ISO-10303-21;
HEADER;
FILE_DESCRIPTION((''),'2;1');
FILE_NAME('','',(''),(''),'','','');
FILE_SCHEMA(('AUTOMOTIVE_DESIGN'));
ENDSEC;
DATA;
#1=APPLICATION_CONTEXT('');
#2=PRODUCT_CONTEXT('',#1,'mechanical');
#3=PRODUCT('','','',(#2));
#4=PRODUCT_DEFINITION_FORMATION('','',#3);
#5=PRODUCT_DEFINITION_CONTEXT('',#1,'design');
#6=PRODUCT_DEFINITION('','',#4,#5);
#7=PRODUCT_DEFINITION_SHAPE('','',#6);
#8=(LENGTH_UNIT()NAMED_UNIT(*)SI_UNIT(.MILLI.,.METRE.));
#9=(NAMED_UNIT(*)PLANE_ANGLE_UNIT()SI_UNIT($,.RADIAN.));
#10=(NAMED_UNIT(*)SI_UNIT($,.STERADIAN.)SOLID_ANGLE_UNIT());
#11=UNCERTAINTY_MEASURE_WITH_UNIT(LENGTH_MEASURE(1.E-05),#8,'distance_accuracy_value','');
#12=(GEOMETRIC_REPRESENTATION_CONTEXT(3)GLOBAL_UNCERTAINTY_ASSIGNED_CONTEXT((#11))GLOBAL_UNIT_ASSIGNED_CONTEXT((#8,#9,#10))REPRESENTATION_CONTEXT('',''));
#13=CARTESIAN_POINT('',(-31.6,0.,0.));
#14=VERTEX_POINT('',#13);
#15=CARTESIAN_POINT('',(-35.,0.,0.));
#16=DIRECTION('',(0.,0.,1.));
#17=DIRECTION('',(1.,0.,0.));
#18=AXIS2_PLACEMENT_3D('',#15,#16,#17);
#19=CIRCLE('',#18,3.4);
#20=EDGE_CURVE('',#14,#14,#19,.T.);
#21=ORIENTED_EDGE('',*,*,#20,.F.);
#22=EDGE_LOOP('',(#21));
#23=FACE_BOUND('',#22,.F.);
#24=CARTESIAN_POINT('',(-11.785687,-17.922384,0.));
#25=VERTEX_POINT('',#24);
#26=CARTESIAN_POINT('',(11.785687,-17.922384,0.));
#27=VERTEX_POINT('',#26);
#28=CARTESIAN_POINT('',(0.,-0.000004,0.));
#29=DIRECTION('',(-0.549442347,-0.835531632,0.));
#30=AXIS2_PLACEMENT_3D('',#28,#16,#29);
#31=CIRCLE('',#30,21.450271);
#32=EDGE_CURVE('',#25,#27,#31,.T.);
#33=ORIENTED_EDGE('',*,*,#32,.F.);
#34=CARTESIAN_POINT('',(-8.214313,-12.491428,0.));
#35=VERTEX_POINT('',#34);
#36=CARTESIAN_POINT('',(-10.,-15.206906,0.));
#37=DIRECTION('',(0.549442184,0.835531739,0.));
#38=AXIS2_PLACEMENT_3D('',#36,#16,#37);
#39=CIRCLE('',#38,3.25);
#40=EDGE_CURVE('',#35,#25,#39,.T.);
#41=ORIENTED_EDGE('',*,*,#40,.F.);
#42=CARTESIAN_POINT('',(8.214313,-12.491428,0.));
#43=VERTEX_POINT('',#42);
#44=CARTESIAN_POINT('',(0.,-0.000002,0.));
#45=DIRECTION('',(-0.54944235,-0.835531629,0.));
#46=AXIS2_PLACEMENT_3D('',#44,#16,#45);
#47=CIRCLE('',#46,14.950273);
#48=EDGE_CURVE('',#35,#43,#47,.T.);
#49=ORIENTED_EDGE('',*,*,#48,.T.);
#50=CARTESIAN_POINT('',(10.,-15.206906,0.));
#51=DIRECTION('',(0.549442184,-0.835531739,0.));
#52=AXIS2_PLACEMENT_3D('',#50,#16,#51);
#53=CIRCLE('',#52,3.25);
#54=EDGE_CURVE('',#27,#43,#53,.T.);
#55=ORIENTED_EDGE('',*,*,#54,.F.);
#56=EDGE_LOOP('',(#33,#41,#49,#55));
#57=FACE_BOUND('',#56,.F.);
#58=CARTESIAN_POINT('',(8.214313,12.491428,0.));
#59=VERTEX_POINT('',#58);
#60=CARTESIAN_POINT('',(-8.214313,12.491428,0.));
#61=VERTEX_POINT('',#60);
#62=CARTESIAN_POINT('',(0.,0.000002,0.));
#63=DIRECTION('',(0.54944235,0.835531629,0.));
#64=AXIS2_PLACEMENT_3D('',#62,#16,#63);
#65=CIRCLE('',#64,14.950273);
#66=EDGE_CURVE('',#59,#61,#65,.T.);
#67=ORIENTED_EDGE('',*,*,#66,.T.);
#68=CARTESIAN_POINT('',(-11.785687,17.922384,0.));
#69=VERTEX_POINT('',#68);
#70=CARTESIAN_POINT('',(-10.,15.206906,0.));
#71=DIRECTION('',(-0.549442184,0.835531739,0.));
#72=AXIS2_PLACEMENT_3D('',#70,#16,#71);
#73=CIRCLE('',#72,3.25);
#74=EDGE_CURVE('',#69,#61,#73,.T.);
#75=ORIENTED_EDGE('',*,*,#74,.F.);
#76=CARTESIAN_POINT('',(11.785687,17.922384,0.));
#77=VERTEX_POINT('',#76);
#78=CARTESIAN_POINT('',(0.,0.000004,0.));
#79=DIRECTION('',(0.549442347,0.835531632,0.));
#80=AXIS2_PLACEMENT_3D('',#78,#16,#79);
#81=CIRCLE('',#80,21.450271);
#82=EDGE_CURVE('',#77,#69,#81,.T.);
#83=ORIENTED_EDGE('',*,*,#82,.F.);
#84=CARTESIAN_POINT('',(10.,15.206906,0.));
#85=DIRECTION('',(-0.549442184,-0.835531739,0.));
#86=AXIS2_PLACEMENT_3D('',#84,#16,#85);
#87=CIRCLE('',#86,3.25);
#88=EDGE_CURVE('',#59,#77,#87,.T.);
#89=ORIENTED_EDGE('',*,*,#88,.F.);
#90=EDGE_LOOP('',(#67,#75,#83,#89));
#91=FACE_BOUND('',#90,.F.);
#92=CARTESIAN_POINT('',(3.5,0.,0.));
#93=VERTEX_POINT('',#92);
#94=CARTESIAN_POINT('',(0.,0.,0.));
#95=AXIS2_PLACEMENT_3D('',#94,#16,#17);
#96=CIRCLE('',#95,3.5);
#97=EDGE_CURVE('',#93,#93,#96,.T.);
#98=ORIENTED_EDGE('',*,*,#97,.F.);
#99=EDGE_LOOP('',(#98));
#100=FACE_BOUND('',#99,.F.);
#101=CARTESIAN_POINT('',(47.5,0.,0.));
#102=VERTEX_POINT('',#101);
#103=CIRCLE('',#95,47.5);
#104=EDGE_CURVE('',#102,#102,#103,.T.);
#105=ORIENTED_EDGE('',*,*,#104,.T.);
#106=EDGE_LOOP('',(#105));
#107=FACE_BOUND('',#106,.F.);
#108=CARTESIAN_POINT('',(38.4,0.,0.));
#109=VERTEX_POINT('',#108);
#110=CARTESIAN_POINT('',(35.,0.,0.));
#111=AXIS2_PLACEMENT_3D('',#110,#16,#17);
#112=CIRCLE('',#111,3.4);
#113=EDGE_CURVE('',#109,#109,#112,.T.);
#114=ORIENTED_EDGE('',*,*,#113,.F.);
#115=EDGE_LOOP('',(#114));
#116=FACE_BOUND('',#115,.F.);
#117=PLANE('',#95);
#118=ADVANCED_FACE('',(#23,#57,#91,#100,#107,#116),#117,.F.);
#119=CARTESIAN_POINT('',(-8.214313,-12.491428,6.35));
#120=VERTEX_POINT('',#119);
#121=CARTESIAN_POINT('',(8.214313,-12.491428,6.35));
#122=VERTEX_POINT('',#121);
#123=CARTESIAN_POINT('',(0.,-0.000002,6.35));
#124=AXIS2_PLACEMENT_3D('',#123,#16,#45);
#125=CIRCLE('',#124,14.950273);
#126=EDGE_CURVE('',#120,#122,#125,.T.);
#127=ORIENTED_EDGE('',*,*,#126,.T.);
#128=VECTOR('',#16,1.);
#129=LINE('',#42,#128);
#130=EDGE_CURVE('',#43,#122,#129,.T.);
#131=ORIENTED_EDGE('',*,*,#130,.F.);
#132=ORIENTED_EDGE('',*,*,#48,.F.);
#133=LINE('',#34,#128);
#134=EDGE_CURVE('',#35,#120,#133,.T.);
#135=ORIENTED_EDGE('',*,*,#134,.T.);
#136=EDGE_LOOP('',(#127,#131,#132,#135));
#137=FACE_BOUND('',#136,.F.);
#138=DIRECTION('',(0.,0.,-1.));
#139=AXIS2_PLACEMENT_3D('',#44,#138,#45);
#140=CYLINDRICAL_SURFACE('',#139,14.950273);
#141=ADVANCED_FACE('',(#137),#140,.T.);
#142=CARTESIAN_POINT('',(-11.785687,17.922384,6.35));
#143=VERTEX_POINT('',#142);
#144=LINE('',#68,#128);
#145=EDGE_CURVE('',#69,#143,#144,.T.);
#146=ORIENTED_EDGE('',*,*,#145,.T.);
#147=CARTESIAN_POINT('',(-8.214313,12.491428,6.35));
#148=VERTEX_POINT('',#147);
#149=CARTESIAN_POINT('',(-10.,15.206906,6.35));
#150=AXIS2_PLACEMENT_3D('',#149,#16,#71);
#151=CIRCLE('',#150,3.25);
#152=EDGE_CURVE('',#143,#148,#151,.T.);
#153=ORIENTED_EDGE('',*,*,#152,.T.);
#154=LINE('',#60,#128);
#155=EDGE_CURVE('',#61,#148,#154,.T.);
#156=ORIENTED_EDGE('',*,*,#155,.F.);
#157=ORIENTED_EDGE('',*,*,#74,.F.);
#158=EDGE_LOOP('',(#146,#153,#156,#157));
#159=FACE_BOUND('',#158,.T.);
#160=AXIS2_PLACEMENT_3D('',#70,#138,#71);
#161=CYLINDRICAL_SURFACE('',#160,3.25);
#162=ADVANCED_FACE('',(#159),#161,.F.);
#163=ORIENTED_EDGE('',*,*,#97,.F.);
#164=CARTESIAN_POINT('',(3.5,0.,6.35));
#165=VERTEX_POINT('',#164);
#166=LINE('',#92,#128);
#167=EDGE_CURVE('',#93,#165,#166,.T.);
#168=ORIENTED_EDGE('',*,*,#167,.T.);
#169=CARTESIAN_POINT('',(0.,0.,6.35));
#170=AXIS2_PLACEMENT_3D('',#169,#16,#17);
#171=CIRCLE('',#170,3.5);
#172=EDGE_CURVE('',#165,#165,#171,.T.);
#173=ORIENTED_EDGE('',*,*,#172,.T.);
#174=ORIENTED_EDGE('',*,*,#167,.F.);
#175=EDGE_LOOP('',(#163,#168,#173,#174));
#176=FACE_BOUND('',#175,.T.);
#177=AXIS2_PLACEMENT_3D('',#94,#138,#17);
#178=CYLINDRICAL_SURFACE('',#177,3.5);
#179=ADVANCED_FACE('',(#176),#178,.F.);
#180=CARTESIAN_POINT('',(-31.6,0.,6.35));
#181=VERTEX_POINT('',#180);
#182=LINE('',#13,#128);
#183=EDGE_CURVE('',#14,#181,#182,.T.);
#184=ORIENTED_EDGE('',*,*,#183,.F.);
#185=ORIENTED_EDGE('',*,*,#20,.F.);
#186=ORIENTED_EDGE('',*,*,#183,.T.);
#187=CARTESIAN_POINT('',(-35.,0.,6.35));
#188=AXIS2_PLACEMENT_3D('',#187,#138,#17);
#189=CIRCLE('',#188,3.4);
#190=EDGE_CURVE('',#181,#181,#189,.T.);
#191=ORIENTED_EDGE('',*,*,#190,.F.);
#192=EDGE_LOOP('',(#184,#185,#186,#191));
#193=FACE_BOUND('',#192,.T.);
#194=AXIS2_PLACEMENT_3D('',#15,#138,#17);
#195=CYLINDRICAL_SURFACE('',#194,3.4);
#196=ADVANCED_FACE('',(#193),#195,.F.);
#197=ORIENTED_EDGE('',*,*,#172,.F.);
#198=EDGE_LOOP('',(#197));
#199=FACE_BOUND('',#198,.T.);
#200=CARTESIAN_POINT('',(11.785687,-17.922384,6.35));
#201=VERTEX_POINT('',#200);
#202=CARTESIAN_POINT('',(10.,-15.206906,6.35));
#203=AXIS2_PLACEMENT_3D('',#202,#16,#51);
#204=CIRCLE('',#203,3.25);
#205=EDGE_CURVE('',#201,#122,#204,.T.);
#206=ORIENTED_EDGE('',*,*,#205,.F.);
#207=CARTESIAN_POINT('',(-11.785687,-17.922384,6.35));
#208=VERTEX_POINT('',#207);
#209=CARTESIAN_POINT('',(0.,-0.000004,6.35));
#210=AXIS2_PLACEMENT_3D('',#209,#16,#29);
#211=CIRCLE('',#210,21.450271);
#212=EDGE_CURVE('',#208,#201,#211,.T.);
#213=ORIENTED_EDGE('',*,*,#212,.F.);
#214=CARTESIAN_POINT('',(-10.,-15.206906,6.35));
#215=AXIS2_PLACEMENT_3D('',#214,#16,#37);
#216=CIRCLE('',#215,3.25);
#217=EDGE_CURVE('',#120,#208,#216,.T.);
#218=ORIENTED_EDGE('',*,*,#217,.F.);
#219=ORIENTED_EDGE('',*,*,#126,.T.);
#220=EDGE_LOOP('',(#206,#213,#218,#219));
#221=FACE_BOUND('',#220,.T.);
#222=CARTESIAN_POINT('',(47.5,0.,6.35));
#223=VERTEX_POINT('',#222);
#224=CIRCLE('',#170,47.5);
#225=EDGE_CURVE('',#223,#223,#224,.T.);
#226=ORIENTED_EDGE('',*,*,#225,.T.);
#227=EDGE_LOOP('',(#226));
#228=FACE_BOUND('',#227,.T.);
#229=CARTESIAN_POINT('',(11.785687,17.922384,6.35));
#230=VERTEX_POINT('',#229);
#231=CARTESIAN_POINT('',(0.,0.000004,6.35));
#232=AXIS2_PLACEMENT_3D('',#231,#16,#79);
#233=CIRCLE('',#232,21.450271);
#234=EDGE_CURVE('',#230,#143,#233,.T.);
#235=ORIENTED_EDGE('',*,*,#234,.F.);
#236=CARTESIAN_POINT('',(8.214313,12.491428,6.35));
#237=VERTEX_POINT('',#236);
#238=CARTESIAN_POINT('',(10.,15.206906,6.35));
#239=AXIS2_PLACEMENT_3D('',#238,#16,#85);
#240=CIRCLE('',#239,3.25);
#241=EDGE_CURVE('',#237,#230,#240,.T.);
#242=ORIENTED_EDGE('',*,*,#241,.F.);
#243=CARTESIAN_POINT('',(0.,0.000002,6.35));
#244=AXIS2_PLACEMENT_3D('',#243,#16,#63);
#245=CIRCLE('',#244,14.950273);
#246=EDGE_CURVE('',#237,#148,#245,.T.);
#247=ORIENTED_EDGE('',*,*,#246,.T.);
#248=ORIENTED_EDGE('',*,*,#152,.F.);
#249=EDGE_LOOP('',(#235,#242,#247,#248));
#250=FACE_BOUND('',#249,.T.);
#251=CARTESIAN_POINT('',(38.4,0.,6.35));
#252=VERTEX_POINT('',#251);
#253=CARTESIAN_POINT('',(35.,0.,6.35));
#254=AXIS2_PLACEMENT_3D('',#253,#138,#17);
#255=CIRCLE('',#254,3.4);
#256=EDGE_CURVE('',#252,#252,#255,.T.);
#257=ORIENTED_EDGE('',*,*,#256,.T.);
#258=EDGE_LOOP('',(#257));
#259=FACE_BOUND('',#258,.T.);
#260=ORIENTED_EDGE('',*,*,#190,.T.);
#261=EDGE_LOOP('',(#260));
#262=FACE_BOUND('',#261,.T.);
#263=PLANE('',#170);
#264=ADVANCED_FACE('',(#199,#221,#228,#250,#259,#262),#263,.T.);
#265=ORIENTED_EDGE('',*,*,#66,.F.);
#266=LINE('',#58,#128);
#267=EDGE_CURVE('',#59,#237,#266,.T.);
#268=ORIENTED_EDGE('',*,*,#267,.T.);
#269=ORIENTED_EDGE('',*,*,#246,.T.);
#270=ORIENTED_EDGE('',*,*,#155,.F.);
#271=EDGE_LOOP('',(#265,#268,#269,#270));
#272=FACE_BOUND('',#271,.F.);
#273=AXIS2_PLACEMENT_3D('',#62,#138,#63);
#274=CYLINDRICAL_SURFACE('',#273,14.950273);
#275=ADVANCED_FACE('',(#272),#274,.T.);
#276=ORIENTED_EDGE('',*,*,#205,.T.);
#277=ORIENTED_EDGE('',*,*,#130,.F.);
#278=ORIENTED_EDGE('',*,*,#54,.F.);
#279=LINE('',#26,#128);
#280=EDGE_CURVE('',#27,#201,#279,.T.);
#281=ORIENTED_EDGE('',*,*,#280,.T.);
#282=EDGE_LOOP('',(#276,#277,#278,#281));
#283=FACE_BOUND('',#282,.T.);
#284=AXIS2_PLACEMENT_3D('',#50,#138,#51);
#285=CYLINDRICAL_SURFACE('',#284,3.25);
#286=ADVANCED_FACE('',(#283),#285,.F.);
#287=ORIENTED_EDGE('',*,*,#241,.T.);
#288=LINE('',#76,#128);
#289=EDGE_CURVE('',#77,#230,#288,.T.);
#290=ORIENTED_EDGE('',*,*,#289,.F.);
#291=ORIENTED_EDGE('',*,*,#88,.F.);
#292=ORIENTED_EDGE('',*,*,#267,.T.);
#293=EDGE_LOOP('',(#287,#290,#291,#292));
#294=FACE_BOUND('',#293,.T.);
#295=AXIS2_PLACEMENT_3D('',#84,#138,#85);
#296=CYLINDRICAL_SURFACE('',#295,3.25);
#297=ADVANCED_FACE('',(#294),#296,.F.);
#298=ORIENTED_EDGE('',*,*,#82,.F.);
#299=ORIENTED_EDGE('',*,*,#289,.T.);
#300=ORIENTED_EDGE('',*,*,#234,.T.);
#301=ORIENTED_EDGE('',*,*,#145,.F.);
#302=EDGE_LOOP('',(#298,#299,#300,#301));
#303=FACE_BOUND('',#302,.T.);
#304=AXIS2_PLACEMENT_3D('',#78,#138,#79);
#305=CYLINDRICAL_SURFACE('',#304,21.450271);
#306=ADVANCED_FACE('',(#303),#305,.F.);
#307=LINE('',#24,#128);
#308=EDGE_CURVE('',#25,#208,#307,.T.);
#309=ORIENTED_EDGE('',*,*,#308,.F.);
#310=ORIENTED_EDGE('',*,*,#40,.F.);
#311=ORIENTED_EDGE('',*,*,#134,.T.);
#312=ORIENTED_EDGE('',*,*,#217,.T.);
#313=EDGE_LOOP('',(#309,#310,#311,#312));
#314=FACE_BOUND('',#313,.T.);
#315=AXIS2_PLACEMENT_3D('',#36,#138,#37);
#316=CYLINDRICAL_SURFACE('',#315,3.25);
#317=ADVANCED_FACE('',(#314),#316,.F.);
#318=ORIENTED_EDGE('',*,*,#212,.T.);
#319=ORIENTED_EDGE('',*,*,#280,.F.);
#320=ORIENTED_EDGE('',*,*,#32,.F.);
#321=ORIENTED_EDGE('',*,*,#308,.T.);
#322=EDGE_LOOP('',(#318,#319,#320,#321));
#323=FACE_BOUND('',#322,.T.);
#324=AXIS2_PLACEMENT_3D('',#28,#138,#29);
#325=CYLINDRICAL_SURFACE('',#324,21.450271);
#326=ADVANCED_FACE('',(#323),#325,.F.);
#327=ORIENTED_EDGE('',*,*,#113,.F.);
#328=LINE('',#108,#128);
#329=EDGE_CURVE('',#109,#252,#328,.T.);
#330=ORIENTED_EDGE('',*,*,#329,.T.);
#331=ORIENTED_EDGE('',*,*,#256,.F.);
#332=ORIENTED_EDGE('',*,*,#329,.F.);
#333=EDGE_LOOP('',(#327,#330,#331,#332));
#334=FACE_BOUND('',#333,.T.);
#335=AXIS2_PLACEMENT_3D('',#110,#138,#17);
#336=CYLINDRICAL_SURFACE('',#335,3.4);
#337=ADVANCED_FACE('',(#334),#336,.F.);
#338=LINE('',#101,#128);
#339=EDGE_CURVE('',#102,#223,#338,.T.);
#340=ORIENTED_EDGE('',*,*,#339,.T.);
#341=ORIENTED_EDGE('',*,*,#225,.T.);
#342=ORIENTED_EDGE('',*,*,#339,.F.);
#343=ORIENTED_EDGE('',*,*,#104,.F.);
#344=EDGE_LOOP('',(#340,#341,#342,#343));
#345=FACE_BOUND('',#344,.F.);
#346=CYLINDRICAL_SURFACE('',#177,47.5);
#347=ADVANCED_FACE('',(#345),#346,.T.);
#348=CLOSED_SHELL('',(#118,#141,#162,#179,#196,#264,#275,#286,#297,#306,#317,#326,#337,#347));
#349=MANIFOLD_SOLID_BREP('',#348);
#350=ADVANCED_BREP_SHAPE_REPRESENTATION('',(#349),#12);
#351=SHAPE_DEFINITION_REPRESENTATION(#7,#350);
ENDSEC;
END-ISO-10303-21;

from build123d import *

# Parameters (mm, degrees)
SKETCH001_R   = 47.5
SKETCH001_R_2 = 3.5
PAD_DEPTH     = 6.35
SKETCH_R      = 3.4
HOLE_DEPTH    = 6.351


with BuildPart() as part:
    # Sketch001 → Pad (new body)
    with BuildSketch(Plane.XY):
        Circle(SKETCH001_R)
        Circle(SKETCH001_R_2, mode=Mode.SUBTRACT)
        with BuildLine():
            ThreePointArc((8.214313, 12.491428), (0, 14.950275), (-8.214313, 12.491428))
            ThreePointArc((-11.785687, 17.922384), (-12.715478, 13.421219), (-8.214313, 12.491428))
            ThreePointArc((11.785687, 17.922384), (0, 21.450275), (-11.785687, 17.922384))
            ThreePointArc((8.214313, 12.491428), (12.715478, 13.421219), (11.785687, 17.922384))
        make_face(mode=Mode.SUBTRACT)
        with BuildLine():
            ThreePointArc((-8.214313, -12.491428), (0, -14.950275), (8.214313, -12.491428))
            ThreePointArc((11.785687, -17.922384), (12.715478, -13.421219), (8.214313, -12.491428))
            ThreePointArc((-11.785687, -17.922384), (0, -21.450275), (11.785687, -17.922384))
            ThreePointArc((-8.214313, -12.491428), (-12.715478, -13.421219), (-11.785687, -17.922384))
        make_face(mode=Mode.SUBTRACT)
    extrude(amount=PAD_DEPTH)

    # Sketch → Hole (cut, through all)
    with BuildSketch(Plane.XY):
        with Locations((-35, 0)):
            Circle(SKETCH_R)
        with Locations((35, 0)):
            Circle(SKETCH_R)
    extrude(amount=HOLE_DEPTH, mode=Mode.SUBTRACT)


solid = part.part
